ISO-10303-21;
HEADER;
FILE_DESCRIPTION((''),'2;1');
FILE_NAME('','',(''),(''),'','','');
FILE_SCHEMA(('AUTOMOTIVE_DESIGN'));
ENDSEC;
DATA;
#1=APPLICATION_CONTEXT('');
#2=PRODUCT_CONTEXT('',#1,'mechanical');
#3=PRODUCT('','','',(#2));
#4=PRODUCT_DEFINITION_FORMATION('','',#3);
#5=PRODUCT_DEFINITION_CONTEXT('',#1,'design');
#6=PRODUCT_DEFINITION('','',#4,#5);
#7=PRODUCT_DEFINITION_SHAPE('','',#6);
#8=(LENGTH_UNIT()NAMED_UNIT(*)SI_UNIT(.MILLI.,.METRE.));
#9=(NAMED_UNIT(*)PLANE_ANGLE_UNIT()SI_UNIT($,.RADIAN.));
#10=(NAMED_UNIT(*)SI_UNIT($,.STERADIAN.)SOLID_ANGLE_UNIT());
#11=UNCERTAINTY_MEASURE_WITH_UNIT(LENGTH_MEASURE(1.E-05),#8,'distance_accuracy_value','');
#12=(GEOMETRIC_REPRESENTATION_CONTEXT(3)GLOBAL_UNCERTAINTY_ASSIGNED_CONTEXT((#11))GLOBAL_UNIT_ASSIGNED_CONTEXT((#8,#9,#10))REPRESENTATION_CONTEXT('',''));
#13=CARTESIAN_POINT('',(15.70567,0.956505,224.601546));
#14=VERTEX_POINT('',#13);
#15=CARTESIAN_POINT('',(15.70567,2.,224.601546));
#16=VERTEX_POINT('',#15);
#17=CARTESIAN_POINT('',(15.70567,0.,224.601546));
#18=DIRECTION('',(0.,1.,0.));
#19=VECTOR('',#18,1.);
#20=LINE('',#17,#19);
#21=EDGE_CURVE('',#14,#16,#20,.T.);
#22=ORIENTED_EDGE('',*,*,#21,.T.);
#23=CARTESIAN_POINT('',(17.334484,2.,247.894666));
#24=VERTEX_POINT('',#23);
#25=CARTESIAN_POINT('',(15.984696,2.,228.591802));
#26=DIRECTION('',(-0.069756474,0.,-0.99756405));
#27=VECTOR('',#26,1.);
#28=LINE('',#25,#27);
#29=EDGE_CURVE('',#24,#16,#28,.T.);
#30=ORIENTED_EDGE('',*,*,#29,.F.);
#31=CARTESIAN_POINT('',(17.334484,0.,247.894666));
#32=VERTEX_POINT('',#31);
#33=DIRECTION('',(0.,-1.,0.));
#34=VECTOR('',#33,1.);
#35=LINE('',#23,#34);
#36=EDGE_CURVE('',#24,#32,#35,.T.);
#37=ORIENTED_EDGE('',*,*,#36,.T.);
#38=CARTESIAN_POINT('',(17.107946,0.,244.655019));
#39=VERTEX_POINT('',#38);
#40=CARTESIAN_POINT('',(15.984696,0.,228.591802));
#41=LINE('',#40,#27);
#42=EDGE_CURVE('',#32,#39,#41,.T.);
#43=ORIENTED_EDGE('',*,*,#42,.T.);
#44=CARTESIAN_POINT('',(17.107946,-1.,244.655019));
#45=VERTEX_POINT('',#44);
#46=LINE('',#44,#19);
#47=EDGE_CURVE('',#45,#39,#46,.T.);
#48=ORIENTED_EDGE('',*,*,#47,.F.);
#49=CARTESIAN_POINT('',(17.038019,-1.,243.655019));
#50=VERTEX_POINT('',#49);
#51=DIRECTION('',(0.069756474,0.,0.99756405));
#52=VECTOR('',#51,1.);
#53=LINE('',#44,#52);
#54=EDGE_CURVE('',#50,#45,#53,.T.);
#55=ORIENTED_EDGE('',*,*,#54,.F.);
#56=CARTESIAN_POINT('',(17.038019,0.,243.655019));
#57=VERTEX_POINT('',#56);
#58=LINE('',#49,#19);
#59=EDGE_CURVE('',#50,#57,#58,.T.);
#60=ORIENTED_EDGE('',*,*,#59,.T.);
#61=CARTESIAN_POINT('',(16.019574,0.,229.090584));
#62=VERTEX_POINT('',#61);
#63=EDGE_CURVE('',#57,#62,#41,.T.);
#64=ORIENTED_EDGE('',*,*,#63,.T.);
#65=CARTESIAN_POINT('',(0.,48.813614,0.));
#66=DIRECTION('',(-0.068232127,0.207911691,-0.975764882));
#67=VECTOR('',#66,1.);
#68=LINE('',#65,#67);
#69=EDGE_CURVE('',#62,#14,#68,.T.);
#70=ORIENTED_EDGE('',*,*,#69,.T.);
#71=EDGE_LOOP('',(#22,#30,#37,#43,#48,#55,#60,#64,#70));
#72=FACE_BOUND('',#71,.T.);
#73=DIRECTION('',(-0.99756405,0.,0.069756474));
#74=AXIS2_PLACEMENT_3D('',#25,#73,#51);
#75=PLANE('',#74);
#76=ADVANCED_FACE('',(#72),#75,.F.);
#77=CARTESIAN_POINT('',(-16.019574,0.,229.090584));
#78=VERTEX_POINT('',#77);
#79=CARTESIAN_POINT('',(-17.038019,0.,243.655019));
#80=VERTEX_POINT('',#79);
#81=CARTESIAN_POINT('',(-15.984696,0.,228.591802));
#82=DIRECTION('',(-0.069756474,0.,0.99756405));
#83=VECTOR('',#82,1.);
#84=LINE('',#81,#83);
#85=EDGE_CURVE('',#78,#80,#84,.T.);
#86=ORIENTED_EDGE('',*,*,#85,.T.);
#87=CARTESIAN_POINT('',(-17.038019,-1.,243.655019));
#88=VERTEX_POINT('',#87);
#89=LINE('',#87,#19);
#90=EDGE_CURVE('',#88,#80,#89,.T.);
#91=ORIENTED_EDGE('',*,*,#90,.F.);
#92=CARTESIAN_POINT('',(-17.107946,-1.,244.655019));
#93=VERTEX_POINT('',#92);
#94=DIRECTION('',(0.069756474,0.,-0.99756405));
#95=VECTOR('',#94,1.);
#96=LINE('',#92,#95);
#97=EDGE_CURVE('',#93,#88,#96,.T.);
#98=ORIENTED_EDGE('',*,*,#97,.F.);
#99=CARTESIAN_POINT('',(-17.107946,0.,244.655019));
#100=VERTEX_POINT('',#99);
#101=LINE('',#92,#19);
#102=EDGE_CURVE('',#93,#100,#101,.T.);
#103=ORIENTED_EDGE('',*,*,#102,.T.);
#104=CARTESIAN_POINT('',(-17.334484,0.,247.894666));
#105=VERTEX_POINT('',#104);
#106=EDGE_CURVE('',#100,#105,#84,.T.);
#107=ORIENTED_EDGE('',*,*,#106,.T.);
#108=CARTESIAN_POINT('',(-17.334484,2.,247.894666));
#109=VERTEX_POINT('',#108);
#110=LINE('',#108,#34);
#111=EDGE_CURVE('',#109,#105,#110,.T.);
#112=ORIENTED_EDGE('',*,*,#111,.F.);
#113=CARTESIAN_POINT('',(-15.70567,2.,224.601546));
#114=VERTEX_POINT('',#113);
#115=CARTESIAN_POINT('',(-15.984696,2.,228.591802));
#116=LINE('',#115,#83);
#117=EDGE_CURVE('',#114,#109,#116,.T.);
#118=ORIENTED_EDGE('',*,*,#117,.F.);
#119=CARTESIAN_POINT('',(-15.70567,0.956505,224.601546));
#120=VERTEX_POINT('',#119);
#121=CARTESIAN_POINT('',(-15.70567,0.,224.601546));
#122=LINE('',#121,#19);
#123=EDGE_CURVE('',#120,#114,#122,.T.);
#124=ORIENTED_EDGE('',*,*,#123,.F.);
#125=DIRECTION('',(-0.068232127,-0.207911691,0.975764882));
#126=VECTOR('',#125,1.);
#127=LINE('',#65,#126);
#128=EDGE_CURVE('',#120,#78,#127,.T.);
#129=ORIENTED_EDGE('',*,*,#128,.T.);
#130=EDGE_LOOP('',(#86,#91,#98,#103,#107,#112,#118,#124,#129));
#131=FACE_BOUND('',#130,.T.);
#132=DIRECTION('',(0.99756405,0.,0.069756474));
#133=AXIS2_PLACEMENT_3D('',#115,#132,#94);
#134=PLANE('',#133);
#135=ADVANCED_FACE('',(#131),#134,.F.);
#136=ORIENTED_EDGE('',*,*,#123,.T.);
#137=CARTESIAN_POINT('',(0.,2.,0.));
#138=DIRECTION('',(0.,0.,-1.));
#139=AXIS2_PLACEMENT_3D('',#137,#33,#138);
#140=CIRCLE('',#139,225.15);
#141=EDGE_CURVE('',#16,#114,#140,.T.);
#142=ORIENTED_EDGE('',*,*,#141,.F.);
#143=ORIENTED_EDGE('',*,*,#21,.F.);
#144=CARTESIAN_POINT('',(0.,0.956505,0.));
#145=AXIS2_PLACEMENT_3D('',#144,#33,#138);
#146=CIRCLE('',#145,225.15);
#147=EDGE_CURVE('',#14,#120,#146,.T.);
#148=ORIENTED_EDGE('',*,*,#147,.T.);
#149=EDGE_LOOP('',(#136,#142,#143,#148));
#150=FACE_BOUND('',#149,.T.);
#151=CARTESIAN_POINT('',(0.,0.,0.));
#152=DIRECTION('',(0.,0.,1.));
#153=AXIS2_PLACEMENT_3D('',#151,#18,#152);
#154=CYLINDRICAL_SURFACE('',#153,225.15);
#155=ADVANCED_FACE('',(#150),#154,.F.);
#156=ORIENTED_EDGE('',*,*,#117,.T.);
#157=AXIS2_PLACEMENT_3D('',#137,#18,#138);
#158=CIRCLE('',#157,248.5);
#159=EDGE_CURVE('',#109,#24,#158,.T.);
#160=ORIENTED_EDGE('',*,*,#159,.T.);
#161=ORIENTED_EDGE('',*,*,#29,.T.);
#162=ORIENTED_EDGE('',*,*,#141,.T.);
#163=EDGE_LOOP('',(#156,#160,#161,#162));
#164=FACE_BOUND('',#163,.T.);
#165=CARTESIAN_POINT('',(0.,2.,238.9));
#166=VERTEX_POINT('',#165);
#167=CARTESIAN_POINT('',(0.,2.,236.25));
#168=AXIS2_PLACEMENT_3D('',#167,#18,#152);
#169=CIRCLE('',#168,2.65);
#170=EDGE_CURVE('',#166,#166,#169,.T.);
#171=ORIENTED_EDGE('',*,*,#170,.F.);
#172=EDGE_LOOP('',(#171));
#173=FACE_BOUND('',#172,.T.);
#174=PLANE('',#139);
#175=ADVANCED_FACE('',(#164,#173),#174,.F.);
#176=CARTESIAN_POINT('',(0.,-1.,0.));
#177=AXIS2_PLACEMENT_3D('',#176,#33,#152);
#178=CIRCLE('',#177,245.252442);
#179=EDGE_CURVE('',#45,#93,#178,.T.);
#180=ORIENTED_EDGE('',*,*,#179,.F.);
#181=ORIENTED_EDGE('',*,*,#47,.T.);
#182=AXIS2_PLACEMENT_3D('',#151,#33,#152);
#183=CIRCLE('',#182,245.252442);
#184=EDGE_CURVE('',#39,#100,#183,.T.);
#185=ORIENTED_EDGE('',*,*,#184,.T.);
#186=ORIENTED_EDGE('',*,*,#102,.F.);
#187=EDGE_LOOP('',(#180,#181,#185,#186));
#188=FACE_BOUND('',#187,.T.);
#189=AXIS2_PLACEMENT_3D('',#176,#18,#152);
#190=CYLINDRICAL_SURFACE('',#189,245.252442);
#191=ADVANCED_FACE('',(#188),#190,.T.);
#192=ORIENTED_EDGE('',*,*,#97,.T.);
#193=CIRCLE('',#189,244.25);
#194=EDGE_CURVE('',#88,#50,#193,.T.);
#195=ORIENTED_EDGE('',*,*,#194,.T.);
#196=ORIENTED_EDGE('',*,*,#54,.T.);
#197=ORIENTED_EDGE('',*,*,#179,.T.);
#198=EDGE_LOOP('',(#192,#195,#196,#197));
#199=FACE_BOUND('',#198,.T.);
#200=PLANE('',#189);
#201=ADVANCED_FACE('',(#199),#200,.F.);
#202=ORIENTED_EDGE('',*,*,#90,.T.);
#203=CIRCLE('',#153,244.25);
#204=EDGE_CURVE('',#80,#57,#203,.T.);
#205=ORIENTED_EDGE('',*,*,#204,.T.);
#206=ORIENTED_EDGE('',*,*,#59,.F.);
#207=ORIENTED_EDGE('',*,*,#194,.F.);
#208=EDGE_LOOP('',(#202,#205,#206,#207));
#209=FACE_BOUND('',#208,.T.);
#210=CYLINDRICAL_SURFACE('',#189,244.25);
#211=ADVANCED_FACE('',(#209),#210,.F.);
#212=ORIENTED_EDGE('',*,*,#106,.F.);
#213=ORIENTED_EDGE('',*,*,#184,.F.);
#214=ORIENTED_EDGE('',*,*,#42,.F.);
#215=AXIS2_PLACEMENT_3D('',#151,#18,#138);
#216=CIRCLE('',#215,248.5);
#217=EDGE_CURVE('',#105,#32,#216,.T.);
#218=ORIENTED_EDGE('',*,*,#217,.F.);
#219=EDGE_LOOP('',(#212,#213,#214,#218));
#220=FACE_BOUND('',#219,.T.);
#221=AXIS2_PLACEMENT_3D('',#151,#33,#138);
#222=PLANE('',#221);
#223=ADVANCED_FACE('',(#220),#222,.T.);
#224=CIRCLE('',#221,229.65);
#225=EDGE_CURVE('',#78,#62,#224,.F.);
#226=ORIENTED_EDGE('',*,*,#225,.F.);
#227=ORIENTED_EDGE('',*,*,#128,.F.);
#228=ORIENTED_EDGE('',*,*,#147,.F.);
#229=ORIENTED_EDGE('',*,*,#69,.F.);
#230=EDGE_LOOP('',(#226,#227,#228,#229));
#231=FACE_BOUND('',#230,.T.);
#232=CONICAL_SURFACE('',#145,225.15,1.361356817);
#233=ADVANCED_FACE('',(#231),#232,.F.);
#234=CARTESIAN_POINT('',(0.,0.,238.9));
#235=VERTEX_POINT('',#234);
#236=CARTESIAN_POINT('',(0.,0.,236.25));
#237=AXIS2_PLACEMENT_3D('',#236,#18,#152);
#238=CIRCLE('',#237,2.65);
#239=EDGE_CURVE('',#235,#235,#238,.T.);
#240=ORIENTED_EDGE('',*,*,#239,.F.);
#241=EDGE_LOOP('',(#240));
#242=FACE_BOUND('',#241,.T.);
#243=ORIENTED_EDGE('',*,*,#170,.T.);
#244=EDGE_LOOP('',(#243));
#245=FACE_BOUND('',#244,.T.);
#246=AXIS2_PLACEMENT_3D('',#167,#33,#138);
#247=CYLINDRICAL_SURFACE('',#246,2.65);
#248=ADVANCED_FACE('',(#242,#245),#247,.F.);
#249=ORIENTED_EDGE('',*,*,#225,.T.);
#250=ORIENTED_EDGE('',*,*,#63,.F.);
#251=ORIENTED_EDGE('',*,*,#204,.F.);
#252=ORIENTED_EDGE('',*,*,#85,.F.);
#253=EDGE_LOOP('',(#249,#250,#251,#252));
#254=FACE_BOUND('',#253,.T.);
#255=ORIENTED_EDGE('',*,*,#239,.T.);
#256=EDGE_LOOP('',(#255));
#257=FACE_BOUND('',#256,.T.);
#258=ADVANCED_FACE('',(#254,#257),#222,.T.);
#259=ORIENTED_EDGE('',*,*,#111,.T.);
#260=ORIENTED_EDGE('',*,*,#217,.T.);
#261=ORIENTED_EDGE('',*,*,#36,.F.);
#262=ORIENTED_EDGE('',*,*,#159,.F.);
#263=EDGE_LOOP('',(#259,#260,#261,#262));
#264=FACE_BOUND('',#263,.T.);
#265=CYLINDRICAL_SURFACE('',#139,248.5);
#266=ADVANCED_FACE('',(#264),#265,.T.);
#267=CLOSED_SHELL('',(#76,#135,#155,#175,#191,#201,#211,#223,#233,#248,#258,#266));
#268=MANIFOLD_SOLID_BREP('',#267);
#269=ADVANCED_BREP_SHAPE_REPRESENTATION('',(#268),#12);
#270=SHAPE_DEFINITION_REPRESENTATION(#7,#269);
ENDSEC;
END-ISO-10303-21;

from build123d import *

# Parameters (mm, degrees)
SKETCH2_R           = 2.65
BOSS_EXTRUDE1_DEPTH = 2
BOSS_EXTRUDE2_DEPTH = 2
CHAMFER1_SIZE       = 4.5
CHAMFER1_SIZE2      = 0.956504528
BOSS_EXTRUDE3_DEPTH = 1


with BuildPart() as part:
    # Sketch2 → Boss-Extrude1 (new body)
    with BuildSketch(Plane(origin=(0, 0, 0), x_dir=(1, 0, 0), z_dir=(0, 1, 0))):
        with BuildLine():
            Line((-15.984695958, -228.591802117), (-17.334483725, -247.89466649))
            ThreePointArc((-17.334483725, -247.89466649), (0, -248.5), (17.334483725, -247.89466649))
            Line((17.334483725, -247.89466649), (15.984695958, -228.591802117))
            ThreePointArc((15.984695958, -228.591802117), (0, -229.15), (-15.984695958, -228.591802117))
        make_face()
        with Locations(Location((0, -236.25, 0), (0, 0, 270))):
            Circle(SKETCH2_R, mode=Mode.SUBTRACT)
    extrude(amount=BOSS_EXTRUDE1_DEPTH)

    # Sketch3 → Boss-Extrude2 (add)
    with BuildSketch(Plane(origin=(0, 0, 0), x_dir=(1, 0, 0), z_dir=(0, 1, 0))):
        with BuildLine():
            Line((-15.705670063, -224.601545916), (-15.984695958, -228.591802117))
            ThreePointArc((-15.984695958, -228.591802117), (0, -229.15), (15.984695958, -228.591802117))
            Line((15.984695958, -228.591802117), (15.705670063, -224.601545916))
            ThreePointArc((15.705670063, -224.601545916), (0, -225.15), (-15.705670063, -224.601545916))
        make_face()
    extrude(amount=BOSS_EXTRUDE2_DEPTH)

    # Chamfer1
    chamfer1_edges = [part.edges().sort_by_distance(p)[0] for p in [
        (0, 0, 225.15),
    ]]
    chamfer1_side = [part.faces().sort_by_distance(p)[0] for p in [
        (0, 0, 248.078921217),
    ]]
    chamfer(chamfer1_edges, length=CHAMFER1_SIZE, length2=CHAMFER1_SIZE2, reference=chamfer1_side[0])

    # Sketch4 → Boss-Extrude3 (add)
    with BuildSketch(Plane.XZ):
        with BuildLine():
            Line((-17.107945524, 244.655019276), (-17.038018712, 243.655019276))
            ThreePointArc((-17.038018712, 243.655019276), (0, 244.25), (17.038018712, 243.655019276))
            Line((17.038018712, 243.655019276), (17.107945524, 244.655019276))
            ThreePointArc((17.107945524, 244.655019276), (0, 245.252441898), (-17.107945524, 244.655019276))
        make_face()
    extrude(amount=BOSS_EXTRUDE3_DEPTH)


solid = part.part
